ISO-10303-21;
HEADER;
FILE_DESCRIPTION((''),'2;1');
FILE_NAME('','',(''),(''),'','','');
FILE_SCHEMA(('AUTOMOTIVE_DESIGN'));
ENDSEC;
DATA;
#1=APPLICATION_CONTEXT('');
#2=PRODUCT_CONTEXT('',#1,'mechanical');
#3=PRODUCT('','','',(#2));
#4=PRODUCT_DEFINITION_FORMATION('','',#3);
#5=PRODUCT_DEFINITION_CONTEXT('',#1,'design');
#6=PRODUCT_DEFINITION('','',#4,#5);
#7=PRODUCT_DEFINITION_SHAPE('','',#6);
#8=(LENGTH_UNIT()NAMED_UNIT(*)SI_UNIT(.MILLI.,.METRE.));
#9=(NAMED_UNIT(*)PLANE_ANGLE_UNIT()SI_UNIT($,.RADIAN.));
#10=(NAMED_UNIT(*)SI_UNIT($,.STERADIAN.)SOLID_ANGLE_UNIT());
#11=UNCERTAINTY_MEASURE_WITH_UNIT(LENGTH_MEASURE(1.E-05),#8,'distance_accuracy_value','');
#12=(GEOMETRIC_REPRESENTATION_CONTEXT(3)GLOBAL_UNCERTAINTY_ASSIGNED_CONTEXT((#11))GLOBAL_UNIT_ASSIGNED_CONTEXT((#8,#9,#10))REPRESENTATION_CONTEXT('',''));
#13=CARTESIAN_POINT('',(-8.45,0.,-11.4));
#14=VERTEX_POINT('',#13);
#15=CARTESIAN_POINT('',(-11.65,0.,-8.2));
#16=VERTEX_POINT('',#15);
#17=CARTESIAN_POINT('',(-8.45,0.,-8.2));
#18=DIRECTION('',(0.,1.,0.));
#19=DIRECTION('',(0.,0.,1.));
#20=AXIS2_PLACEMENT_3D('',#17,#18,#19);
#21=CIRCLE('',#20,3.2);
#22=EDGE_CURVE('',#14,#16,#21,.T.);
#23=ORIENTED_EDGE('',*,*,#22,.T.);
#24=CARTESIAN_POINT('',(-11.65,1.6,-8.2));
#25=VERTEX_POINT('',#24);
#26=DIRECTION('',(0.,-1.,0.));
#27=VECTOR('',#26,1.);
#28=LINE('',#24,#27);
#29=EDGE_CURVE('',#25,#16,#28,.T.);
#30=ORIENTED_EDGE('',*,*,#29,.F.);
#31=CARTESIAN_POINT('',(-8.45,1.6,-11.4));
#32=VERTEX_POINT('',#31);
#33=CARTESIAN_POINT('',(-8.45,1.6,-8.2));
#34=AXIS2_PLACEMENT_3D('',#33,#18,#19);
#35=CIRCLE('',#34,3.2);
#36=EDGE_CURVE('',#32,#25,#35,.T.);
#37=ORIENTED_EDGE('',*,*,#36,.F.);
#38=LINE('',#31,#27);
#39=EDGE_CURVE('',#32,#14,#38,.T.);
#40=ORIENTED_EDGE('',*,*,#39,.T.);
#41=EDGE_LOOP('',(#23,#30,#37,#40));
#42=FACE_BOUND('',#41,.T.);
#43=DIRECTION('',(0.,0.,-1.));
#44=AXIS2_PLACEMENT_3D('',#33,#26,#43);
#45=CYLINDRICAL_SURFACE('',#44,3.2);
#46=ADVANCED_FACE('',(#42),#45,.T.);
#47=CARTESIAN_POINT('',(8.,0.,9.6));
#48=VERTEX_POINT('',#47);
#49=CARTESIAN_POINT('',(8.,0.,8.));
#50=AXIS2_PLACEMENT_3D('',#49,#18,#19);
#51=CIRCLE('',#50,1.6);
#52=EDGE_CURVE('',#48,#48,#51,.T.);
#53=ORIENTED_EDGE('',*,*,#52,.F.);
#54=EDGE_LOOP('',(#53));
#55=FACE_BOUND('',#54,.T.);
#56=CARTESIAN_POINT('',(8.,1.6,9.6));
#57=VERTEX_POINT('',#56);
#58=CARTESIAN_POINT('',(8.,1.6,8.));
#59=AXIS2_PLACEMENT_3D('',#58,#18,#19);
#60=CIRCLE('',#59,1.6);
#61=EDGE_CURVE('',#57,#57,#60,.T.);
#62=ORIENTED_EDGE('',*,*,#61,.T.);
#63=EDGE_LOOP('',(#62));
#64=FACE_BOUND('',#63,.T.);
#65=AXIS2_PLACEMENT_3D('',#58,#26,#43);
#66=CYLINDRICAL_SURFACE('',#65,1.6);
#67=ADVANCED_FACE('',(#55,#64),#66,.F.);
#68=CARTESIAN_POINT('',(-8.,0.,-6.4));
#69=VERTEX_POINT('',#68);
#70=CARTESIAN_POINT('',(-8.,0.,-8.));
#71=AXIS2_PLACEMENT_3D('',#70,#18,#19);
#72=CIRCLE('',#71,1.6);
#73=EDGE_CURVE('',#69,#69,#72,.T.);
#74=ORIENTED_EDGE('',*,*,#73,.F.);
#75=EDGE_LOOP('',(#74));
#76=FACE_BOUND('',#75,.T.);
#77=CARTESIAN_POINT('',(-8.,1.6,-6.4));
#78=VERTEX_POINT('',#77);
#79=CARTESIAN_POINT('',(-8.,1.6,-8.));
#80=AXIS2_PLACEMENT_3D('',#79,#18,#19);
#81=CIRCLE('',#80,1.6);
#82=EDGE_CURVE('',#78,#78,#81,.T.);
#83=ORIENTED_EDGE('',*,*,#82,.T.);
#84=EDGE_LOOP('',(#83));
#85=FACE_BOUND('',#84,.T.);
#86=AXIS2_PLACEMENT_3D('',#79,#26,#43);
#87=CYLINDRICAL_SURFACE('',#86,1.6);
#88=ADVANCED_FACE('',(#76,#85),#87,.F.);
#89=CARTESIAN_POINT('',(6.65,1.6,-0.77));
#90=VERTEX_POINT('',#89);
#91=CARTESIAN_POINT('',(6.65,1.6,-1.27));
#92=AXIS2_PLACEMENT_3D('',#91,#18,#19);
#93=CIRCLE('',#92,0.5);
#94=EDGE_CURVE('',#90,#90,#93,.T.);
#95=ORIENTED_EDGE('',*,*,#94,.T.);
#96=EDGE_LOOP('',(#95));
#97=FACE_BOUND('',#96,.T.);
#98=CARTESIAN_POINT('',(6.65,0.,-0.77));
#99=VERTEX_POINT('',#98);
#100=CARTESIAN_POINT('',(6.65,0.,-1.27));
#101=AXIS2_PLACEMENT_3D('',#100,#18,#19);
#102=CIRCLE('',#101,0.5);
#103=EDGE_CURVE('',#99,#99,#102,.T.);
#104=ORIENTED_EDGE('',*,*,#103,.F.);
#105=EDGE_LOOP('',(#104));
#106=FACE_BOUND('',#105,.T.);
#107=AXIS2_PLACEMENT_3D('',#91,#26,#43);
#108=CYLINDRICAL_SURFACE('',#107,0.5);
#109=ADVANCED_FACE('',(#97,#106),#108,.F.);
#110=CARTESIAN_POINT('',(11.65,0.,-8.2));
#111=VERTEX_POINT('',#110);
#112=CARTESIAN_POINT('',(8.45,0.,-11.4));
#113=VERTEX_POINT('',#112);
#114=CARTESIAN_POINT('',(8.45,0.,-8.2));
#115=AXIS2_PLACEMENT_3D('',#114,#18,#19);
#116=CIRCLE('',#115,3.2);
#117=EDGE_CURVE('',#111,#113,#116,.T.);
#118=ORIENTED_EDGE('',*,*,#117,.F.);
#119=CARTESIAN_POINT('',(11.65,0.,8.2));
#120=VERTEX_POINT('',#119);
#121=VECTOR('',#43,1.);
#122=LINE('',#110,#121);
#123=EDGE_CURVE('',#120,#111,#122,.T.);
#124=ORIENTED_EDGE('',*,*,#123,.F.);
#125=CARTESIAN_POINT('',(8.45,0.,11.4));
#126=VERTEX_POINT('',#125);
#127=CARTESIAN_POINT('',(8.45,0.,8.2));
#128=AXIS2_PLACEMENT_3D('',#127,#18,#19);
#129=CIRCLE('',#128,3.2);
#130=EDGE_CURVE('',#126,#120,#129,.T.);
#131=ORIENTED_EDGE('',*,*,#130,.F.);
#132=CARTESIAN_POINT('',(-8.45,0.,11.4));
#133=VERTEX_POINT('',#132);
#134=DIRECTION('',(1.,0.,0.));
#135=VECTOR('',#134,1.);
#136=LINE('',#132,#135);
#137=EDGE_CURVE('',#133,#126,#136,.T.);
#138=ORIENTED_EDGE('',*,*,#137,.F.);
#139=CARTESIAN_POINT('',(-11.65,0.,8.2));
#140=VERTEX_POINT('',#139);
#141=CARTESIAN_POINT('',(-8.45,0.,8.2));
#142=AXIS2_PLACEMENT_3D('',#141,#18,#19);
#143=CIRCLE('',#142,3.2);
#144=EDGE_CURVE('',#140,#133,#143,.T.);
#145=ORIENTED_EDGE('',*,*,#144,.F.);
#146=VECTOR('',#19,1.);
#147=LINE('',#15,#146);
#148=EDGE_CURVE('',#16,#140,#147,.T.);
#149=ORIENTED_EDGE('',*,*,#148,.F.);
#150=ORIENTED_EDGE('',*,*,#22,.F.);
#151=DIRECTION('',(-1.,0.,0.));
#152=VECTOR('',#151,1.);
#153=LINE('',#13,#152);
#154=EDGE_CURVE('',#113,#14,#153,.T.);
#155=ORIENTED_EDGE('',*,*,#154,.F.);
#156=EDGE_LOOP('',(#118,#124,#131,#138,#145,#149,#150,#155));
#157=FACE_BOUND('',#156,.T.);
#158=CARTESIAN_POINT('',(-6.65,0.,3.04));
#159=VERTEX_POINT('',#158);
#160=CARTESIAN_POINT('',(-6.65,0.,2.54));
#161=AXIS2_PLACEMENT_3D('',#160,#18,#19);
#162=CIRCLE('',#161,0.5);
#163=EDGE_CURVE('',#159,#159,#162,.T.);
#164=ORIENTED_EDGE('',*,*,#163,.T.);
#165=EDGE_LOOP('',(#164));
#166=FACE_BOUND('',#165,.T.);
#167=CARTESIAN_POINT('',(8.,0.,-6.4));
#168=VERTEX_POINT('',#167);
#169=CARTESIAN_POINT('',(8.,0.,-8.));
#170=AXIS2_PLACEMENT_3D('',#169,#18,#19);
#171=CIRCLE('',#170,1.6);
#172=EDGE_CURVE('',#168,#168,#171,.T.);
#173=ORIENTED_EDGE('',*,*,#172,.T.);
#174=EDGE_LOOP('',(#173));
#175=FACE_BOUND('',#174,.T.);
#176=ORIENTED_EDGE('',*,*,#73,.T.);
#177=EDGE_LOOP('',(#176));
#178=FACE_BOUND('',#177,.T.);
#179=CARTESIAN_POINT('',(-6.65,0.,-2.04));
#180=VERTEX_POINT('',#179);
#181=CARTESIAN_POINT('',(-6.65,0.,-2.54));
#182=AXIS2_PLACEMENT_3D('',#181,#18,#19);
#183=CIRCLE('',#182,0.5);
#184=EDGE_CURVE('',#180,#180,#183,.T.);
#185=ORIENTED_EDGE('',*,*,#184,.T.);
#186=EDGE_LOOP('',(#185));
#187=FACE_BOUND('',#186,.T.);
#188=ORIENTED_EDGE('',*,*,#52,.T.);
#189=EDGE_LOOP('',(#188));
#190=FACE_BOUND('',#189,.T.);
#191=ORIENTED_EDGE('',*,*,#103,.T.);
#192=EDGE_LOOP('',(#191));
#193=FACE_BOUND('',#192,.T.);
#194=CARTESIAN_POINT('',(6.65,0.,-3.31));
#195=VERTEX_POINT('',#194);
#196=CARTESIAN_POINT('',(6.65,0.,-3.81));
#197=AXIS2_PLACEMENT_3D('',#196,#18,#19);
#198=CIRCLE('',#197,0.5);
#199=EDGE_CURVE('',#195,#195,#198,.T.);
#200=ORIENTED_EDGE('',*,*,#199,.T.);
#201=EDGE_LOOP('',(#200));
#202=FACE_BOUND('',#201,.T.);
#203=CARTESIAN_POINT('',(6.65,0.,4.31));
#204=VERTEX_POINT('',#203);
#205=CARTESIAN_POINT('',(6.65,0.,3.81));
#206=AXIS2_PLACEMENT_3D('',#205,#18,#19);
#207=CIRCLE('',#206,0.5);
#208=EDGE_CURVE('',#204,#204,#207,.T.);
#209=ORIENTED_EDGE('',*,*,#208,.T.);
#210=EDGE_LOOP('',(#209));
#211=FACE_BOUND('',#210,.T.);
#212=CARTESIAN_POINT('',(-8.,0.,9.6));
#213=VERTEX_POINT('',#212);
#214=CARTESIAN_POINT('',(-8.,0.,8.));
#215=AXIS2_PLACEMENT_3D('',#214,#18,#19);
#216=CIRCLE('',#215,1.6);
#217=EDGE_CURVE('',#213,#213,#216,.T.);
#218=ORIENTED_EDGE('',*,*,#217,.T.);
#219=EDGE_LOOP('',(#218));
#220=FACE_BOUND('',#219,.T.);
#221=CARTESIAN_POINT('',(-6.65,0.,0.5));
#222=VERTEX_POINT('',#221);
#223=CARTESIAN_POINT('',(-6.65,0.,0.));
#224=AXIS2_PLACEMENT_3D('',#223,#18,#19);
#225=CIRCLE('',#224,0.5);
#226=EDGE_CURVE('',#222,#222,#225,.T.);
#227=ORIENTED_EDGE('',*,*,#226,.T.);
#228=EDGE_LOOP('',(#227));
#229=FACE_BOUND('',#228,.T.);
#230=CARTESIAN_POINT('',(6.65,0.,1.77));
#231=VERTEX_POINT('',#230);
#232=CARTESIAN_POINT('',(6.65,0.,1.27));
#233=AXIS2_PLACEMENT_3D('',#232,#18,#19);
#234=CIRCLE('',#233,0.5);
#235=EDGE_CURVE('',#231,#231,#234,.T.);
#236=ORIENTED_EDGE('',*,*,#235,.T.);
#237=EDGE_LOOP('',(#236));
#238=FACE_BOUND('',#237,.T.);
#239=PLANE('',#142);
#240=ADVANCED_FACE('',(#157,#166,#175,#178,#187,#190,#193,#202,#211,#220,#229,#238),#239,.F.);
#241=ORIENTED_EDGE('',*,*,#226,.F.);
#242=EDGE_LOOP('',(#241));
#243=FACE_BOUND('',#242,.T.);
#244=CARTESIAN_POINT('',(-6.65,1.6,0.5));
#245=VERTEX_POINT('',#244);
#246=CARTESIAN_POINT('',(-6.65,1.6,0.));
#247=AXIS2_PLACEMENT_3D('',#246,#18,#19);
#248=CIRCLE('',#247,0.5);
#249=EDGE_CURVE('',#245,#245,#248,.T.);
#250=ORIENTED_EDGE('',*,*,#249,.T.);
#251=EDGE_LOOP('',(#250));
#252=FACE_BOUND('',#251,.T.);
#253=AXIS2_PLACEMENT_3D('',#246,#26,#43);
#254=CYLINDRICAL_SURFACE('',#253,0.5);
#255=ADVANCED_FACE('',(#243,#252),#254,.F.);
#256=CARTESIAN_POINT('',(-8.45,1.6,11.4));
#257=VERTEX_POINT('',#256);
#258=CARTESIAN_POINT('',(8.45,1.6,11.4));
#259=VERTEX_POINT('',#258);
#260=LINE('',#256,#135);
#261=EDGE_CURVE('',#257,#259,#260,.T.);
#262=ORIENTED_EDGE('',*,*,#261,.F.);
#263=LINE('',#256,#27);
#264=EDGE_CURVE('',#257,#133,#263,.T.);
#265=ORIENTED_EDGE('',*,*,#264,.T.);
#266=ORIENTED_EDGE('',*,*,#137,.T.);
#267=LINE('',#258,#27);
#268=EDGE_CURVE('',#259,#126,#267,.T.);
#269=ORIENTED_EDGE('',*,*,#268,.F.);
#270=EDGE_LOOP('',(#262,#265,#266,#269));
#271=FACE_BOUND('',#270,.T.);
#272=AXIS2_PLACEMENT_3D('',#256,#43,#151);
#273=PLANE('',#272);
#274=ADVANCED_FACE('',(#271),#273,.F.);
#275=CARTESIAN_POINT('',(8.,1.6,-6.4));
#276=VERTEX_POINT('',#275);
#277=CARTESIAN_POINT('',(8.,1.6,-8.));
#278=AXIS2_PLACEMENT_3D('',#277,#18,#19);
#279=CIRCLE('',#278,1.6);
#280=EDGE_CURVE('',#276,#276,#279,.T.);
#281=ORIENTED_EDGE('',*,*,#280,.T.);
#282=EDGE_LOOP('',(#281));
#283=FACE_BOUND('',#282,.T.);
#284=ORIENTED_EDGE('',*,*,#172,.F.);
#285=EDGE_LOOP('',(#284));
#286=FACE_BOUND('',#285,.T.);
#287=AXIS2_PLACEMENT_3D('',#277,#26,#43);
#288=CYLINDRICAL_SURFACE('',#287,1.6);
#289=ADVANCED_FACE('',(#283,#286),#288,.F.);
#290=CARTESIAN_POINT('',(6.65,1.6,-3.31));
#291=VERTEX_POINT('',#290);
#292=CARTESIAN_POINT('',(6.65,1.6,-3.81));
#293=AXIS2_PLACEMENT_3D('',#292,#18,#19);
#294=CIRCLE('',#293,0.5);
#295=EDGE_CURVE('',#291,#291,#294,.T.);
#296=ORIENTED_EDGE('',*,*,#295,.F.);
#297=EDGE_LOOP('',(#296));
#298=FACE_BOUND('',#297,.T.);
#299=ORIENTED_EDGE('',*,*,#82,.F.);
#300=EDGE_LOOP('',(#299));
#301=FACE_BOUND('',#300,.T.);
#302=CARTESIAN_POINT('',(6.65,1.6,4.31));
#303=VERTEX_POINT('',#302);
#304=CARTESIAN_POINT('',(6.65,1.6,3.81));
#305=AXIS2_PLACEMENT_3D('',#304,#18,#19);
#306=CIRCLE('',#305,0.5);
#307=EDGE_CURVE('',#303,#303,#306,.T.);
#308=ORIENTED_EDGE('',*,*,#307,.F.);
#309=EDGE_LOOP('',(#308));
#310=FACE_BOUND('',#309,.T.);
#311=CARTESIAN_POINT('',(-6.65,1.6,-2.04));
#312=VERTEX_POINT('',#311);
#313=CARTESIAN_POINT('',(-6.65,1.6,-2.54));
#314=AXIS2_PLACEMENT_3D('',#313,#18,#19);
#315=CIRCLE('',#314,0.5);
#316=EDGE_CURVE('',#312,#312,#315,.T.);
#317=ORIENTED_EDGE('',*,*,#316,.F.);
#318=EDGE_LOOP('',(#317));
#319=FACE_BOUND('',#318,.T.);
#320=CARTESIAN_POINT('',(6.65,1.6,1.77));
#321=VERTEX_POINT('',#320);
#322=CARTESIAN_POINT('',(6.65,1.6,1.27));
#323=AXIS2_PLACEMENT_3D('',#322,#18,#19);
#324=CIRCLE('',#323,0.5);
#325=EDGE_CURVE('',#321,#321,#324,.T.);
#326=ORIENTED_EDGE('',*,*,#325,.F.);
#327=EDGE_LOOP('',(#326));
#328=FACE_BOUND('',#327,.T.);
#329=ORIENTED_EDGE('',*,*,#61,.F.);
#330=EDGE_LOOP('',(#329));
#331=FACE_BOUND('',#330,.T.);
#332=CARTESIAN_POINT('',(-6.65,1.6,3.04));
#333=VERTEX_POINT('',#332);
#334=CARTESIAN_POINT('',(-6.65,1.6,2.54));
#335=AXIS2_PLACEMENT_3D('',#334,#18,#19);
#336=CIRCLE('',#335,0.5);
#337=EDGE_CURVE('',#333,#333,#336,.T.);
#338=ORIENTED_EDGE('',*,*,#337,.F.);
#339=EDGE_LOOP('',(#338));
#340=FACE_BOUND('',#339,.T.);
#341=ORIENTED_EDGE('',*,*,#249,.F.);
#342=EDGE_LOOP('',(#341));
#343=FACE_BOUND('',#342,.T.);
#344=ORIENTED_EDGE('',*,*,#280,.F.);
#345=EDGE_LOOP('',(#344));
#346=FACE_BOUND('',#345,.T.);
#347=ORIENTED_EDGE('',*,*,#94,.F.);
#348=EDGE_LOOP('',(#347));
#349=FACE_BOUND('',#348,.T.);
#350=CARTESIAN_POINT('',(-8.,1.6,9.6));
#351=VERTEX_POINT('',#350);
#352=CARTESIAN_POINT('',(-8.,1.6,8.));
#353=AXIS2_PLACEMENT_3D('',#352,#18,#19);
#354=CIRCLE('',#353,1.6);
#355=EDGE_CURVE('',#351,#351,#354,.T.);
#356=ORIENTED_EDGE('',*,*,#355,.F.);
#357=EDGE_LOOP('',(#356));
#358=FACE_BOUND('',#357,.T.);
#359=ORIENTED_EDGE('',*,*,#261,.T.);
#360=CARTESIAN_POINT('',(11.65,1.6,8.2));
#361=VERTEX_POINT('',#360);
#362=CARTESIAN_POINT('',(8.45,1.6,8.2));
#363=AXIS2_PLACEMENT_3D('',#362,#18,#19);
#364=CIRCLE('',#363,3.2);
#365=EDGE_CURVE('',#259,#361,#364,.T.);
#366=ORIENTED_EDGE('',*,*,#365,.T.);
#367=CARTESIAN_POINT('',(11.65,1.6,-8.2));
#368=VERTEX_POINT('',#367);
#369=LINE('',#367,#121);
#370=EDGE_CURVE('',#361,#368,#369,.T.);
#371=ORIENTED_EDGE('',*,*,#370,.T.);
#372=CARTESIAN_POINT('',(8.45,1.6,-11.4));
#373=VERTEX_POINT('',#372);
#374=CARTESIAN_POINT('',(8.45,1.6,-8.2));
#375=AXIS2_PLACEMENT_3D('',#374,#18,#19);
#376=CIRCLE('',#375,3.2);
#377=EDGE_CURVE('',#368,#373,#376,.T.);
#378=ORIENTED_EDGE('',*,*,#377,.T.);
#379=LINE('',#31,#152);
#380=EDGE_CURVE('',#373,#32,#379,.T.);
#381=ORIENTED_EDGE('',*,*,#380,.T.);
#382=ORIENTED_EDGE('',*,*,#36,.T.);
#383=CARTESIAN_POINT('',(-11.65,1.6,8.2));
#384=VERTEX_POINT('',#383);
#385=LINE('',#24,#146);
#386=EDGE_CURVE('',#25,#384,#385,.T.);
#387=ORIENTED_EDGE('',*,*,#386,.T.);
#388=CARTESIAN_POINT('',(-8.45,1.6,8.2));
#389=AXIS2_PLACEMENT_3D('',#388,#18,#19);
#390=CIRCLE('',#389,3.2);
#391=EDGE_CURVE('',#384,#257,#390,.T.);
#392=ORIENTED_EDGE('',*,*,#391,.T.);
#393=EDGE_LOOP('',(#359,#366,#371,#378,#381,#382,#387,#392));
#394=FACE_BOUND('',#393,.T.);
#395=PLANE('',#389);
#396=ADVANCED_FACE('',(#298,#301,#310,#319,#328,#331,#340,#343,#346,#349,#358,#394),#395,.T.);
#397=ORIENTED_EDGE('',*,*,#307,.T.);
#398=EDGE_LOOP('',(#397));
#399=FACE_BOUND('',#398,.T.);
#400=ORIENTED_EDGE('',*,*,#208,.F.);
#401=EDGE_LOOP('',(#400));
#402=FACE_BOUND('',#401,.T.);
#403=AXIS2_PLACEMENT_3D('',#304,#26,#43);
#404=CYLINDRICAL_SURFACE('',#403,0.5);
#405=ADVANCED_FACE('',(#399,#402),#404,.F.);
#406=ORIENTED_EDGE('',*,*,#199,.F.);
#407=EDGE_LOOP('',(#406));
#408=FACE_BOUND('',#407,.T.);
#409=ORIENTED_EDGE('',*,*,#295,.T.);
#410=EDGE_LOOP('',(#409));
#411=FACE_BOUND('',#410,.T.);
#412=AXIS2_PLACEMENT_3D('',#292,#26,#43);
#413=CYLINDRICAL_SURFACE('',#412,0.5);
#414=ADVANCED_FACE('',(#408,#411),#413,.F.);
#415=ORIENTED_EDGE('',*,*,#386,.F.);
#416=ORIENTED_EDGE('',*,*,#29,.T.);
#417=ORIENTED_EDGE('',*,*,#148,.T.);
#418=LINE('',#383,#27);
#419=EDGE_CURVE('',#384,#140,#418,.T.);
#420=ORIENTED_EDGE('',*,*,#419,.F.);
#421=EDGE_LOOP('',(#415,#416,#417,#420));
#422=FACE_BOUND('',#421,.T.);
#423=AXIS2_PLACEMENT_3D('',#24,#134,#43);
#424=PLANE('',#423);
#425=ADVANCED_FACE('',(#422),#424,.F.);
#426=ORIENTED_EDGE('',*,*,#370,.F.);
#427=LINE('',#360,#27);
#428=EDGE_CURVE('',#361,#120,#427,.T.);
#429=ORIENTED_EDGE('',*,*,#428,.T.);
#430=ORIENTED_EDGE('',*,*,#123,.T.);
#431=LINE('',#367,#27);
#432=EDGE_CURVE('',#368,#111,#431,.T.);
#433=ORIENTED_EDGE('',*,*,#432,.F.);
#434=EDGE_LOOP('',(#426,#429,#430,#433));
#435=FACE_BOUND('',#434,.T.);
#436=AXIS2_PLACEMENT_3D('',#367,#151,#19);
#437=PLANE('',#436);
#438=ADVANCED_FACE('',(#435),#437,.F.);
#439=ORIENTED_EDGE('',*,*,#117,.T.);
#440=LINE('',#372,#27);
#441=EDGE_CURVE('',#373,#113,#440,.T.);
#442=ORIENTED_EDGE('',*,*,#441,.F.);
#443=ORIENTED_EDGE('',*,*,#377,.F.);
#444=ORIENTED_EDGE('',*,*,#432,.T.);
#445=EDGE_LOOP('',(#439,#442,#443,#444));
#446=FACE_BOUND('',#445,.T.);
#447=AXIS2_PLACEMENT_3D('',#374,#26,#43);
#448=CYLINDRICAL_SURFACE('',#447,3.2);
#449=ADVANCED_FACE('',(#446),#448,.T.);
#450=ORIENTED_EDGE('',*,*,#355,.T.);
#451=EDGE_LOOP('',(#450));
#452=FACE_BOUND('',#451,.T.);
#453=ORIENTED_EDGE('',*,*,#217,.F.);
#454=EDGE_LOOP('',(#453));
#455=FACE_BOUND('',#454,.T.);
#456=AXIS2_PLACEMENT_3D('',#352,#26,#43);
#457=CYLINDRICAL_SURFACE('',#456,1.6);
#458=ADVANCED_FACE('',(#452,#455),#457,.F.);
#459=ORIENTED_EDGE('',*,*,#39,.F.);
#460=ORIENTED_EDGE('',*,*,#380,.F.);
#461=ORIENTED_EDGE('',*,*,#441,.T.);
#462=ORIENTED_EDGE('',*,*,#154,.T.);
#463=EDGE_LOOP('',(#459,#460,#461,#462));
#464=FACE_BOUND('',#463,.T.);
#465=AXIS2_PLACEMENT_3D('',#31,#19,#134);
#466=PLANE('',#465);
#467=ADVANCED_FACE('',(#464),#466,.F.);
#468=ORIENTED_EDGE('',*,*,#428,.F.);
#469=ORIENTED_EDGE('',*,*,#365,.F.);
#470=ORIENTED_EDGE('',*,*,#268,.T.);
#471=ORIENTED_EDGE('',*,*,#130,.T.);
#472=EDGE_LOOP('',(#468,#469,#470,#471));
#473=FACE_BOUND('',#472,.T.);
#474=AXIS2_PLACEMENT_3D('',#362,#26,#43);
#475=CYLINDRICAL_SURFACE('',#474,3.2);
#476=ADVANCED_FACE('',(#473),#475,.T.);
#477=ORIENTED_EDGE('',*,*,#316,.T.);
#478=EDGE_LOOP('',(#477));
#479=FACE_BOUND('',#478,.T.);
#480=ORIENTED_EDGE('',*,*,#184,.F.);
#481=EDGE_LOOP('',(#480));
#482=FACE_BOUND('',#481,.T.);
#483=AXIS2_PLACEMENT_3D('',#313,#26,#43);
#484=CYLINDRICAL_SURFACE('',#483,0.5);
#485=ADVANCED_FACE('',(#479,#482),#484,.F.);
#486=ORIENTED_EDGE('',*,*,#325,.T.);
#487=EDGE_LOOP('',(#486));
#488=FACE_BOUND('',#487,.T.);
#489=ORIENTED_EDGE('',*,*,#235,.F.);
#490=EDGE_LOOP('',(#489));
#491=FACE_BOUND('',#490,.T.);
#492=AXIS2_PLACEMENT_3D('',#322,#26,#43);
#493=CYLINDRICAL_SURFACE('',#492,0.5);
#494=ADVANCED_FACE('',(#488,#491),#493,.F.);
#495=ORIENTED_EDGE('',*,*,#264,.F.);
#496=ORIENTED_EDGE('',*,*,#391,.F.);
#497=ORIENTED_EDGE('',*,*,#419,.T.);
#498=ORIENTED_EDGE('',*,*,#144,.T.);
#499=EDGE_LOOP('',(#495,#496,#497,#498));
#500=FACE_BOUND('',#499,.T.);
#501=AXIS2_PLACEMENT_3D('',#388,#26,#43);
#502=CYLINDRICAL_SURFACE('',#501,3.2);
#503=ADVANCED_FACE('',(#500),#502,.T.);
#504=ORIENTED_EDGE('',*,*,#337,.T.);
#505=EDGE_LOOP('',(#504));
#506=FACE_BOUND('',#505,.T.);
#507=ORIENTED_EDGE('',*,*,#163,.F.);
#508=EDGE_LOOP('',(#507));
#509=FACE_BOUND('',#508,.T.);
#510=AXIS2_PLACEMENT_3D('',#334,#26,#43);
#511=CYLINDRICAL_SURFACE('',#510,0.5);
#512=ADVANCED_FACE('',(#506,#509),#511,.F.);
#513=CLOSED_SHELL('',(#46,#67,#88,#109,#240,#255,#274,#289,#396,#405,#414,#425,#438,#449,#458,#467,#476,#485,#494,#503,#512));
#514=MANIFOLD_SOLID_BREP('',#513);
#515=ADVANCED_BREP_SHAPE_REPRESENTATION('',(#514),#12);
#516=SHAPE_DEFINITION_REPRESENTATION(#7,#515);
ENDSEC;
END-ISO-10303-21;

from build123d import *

# Parameters (mm, degrees)
SKETCH_1_R      = 1.6
SKETCH_1_R_2    = 0.5
EXTRUDE_1_DEPTH = 1.6


with BuildPart() as part:
    # Эскиз1 → Бобышка-Вытянуть1 (new body)
    with BuildSketch(Plane(origin=(0, 0, 0), x_dir=(1, 0, 0), z_dir=(0, 1, 0))):
        with BuildLine():
            Line((-8.45, 11.4), (8.45, 11.4))
            ThreePointArc((8.45, 11.4), (10.7127417, 10.4627417), (11.65, 8.2))
            Line((11.65, 8.2), (11.65, -8.2))
            ThreePointArc((11.65, -8.2), (10.7127417, -10.4627417), (8.45, -11.4))
            Line((8.45, -11.4), (-8.45, -11.4))
            ThreePointArc((-8.45, -11.4), (-10.7127417, -10.4627417), (-11.65, -8.2))
            Line((-11.65, -8.2), (-11.65, 8.2))
            ThreePointArc((-11.65, 8.2), (-10.7127417, 10.4627417), (-8.45, 11.4))
        make_face()
        with Locations(Location((-8, 8, 0), (0, 0, 270))):
            Circle(SKETCH_1_R, mode=Mode.SUBTRACT)
        with Locations(Location((8, 8, 0), (0, 0, 270))):
            Circle(SKETCH_1_R, mode=Mode.SUBTRACT)
        with Locations(Location((8, -8, 0), (0, 0, 270))):
            Circle(SKETCH_1_R, mode=Mode.SUBTRACT)
        with Locations(Location((-8, -8, 0), (0, 0, 270))):
            Circle(SKETCH_1_R, mode=Mode.SUBTRACT)
        with Locations(Location((-6.65, 0, 0), (0, 0, 270))):
            Circle(SKETCH_1_R_2, mode=Mode.SUBTRACT)
        with Locations(Location((-6.65, -2.54, 0), (0, 0, 270))):
            Circle(SKETCH_1_R_2, mode=Mode.SUBTRACT)
        with Locations(Location((-6.65, 2.54, 0), (0, 0, 270))):
            Circle(SKETCH_1_R_2, mode=Mode.SUBTRACT)
        with Locations(Location((6.65, 3.81, 0), (0, 0, 270))):
            Circle(SKETCH_1_R_2, mode=Mode.SUBTRACT)
        with Locations(Location((6.65, 1.27, 0), (0, 0, 270))):
            Circle(SKETCH_1_R_2, mode=Mode.SUBTRACT)
        with Locations(Location((6.65, -1.27, 0), (0, 0, 270))):
            Circle(SKETCH_1_R_2, mode=Mode.SUBTRACT)
        with Locations(Location((6.65, -3.81, 0), (0, 0, 270))):
            Circle(SKETCH_1_R_2, mode=Mode.SUBTRACT)
    extrude(amount=EXTRUDE_1_DEPTH)


solid = part.part
